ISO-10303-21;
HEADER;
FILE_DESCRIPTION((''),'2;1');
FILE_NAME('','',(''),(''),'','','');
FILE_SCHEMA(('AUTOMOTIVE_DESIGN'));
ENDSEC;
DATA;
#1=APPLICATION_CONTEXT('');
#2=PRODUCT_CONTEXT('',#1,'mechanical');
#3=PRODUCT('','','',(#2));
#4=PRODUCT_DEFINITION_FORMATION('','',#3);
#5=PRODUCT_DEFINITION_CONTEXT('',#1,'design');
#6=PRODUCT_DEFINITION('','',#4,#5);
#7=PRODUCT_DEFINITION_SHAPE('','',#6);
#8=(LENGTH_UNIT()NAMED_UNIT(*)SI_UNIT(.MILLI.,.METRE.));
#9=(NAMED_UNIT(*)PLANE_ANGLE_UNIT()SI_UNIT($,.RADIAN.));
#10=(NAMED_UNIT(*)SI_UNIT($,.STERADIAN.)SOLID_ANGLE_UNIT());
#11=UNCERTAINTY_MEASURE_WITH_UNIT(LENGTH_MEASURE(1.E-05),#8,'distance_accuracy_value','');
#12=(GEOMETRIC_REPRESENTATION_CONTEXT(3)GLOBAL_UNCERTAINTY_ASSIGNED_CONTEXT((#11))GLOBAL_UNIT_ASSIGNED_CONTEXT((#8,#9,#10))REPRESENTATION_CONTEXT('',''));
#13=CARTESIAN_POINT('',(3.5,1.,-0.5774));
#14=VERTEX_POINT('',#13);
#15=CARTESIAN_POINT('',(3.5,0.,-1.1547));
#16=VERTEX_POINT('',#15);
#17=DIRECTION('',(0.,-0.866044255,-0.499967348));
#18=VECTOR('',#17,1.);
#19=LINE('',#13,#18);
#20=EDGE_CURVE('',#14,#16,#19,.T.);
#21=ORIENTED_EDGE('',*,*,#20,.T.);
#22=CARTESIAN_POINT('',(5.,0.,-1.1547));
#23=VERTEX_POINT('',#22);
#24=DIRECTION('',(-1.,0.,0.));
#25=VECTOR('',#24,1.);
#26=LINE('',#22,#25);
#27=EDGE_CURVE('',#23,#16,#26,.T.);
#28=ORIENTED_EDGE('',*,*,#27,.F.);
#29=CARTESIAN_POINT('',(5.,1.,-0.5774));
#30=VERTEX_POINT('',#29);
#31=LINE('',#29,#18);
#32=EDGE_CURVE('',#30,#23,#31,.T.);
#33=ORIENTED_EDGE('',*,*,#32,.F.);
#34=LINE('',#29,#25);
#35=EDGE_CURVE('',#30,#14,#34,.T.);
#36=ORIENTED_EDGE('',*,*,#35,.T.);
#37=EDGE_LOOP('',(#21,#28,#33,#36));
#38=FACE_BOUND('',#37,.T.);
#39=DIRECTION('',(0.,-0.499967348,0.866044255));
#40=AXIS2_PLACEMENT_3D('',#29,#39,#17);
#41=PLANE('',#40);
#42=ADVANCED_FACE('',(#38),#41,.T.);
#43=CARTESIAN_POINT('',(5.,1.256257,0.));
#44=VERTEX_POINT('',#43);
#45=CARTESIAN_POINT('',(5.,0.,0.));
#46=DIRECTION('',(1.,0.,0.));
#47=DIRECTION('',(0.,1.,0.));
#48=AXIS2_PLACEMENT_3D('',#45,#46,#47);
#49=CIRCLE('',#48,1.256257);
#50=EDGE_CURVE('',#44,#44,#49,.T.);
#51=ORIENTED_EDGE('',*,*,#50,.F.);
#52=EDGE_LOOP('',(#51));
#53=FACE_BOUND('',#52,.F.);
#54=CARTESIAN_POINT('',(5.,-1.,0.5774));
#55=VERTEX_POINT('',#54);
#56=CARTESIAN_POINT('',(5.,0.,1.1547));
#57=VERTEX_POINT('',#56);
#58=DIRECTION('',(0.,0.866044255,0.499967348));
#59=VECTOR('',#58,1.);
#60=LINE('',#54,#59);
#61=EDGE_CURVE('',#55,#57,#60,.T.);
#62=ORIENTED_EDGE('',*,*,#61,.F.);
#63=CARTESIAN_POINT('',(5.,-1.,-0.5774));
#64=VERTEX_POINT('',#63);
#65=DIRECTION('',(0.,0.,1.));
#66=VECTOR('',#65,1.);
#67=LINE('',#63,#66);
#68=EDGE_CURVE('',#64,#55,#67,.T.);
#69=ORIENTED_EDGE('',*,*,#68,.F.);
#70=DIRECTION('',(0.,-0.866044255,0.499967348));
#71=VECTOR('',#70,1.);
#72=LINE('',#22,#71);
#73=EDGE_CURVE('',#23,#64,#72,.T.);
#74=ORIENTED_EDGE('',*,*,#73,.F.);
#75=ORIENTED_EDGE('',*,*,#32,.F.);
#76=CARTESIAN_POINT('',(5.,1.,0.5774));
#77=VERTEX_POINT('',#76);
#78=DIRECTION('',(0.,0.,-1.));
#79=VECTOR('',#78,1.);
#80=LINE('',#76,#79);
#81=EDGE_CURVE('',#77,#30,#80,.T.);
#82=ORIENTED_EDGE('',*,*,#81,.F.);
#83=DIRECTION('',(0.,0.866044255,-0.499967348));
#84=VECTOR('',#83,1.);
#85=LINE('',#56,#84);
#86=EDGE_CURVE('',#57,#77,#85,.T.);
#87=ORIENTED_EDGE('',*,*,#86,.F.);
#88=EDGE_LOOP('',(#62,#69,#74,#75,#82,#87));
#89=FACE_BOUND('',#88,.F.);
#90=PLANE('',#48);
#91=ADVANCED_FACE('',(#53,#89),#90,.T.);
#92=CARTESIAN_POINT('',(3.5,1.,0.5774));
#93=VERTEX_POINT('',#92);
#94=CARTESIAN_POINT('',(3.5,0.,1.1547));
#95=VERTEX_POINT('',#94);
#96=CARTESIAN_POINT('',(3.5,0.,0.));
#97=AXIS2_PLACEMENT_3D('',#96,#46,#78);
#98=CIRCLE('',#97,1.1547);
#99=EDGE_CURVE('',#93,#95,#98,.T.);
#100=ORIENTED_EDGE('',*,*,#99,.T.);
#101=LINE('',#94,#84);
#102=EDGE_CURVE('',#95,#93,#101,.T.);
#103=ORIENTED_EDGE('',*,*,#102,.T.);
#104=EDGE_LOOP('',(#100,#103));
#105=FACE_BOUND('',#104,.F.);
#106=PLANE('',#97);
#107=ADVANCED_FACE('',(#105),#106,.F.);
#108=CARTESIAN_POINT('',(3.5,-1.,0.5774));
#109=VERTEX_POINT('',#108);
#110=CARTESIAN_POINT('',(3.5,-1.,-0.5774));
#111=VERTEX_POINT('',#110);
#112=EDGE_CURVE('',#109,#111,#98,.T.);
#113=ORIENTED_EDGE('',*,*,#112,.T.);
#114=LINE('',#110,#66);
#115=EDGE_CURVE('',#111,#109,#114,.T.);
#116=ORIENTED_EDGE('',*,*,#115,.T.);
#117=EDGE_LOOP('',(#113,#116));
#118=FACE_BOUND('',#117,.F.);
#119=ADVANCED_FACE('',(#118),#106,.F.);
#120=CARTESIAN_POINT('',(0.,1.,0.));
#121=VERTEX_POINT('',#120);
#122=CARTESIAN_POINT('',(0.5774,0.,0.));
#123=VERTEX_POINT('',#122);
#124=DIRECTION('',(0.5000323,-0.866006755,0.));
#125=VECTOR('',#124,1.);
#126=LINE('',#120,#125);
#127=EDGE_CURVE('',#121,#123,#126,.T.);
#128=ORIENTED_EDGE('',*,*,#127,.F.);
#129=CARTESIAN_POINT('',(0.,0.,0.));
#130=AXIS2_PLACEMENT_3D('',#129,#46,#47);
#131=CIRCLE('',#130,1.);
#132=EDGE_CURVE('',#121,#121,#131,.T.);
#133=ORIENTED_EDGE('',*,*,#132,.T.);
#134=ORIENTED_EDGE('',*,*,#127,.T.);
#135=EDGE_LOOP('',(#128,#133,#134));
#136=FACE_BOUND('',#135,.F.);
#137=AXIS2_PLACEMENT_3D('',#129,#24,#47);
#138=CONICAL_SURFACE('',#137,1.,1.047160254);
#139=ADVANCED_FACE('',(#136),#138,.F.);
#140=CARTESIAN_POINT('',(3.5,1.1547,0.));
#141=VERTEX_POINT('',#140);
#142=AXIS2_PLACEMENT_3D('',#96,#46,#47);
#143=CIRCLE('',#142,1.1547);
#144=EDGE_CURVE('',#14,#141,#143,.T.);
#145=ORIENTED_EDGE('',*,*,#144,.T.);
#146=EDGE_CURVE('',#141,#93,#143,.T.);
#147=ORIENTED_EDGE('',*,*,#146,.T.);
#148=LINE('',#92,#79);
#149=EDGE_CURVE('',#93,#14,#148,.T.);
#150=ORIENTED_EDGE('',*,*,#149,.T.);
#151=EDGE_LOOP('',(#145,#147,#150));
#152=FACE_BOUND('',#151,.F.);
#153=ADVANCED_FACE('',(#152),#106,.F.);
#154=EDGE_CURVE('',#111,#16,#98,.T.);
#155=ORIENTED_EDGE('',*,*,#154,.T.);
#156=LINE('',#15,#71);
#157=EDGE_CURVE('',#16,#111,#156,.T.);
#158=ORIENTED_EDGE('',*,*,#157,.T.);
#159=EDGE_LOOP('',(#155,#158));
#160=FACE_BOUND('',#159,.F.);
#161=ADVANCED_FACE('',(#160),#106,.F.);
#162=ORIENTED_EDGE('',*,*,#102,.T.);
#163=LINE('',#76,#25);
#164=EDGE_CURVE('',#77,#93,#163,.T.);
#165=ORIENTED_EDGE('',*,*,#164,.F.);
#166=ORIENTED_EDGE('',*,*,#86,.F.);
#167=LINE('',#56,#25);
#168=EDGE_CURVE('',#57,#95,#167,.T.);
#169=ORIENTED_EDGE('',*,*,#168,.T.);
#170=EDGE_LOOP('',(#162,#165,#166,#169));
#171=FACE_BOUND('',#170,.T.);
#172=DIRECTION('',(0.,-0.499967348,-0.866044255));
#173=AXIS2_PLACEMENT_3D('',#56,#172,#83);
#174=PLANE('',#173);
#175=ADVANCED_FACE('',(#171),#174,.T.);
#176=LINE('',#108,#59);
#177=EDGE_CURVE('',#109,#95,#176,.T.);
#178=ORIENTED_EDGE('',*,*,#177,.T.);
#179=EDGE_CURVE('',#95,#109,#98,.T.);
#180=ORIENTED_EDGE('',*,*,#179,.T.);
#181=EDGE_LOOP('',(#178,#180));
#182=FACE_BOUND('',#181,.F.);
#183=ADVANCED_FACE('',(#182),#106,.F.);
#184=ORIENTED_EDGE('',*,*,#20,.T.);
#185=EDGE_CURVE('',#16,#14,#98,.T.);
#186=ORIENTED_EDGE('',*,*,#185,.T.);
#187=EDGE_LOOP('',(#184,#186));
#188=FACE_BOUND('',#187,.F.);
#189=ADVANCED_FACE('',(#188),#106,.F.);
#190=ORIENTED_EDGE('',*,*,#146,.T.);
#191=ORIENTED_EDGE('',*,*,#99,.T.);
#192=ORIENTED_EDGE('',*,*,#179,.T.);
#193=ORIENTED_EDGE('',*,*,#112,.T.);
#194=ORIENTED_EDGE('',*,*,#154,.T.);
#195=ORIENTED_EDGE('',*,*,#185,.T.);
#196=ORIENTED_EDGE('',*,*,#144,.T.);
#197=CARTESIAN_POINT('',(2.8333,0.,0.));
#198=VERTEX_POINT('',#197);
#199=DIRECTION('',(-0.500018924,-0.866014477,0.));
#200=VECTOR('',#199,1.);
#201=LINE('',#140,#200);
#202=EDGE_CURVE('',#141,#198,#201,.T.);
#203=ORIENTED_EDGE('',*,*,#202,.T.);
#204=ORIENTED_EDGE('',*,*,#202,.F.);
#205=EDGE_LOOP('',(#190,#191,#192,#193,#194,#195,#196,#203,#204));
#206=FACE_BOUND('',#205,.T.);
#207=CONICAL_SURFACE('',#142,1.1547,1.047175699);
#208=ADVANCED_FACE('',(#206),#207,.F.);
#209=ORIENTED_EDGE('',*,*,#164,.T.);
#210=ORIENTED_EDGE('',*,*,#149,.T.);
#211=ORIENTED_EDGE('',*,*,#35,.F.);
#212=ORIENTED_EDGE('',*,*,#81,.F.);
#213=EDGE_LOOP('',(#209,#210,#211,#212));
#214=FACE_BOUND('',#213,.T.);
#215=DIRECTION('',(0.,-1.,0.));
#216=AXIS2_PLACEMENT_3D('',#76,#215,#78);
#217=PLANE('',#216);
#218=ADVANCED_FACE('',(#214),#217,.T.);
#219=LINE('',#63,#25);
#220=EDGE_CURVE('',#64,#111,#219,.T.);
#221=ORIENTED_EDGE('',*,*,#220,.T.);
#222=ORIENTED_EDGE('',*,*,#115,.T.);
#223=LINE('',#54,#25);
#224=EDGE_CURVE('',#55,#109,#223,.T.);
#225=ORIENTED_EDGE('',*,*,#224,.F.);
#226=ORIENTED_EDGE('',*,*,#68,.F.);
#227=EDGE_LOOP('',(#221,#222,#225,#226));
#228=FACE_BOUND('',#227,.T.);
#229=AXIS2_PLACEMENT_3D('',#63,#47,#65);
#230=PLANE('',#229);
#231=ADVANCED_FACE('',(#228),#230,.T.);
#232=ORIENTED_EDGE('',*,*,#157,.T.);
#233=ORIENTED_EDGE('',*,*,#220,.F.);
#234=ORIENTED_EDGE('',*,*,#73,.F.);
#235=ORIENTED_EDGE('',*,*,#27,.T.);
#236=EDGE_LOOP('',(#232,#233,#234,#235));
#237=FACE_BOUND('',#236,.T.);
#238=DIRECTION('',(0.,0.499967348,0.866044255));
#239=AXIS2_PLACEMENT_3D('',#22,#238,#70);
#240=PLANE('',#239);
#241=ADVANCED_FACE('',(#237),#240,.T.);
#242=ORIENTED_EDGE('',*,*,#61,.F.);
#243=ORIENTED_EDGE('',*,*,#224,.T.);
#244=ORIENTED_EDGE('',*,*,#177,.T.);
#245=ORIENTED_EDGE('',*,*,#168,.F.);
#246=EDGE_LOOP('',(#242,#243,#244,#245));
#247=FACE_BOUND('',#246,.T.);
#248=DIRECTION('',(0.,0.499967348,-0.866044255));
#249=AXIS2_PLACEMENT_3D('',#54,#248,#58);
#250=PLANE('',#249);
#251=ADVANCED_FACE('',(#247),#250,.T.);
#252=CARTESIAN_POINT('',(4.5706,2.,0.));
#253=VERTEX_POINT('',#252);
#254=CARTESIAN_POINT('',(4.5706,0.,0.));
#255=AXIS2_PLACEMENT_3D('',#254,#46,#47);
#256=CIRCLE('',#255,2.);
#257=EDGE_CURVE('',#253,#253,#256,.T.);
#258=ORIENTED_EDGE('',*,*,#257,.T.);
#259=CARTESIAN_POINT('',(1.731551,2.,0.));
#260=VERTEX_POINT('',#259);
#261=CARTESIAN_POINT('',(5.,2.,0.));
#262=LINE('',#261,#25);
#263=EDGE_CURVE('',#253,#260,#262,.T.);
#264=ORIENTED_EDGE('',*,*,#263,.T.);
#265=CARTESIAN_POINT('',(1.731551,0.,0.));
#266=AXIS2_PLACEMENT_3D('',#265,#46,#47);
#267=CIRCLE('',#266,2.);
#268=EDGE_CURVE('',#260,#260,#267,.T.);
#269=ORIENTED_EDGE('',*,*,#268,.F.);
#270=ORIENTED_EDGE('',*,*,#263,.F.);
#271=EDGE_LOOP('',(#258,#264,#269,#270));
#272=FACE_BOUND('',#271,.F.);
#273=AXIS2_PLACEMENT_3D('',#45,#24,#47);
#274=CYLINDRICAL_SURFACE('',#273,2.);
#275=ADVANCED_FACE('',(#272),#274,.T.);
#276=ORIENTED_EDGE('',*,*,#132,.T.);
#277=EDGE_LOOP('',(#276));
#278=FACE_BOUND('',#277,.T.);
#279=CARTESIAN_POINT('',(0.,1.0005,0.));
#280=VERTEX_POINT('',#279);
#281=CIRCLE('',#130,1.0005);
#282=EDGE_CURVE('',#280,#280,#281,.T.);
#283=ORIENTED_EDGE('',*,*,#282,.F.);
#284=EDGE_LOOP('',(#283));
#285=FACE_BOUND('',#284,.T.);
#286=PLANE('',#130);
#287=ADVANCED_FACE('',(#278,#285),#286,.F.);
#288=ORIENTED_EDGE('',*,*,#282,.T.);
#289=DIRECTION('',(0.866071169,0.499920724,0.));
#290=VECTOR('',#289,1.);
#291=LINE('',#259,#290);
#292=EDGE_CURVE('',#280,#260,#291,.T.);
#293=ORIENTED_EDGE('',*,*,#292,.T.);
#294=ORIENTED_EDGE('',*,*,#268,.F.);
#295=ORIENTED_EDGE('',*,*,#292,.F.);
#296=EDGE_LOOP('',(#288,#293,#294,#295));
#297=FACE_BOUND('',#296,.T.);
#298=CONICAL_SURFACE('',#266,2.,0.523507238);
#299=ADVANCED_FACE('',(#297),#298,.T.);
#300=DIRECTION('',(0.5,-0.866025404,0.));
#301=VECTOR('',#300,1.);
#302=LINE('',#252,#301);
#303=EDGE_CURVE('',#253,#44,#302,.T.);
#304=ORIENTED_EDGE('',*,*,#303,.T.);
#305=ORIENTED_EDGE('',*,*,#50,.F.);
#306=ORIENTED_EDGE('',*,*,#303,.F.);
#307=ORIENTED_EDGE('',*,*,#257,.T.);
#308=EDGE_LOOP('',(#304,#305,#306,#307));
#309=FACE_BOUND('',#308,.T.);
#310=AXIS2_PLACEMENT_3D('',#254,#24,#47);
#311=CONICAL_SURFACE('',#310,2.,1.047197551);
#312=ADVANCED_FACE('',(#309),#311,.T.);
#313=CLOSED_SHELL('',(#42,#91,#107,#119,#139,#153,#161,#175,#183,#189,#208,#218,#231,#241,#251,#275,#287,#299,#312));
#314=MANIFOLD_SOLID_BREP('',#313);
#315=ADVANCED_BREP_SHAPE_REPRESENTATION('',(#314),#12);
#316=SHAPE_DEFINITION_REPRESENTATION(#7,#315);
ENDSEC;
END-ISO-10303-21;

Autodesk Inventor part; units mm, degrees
ref_plane "YZ Plane" through (0, 0, 0) normal (1, 0, 0) x (0, 1, 0)
ref_plane "XZ Plane" through (0, 0, 0) normal (0, 1, 0) x (-1, 0, 0)
sketch "Sketch1" plane through (0, 0, 0) normal (0, 0, 1) x (1, 0, 0)
  line L0 (0.5774, 0) -> (2.8333, 0)
  line L1 (5, 1.1547) -> (5, 2)
  line L2 (5, 2) -> (0, 2)
  line L3 (5, 1.1547) -> (3.5, 1.1547)
  line L4 (3.5, 1.1547) -> (2.8333, 0)
  line L5 (0, 1) -> (0.5774, 0)
  line L6 (0, -0.4) -> (0, 2.4) projected
  line L7 (0, 1) -> (0, 2)
  point P0 (0, 0)
  dimension "d0" = 1.5
  dimension "d1" = 60
  dimension "d2" = 4
  dimension "d3" = 2.3094
  dimension "d4" = 5
  dimension "d5" = 60
  dimension "d7" = 2
revolve "Body" add sketch "Sketch1" angle 360 about axis through (0.5774, 0, 0) along (1, 0, 0)
sketch "Sketch2" plane through (5, 0, 0) normal (1, 0, 0) x (0, 0, -1)
  circle A0 centre (0, 0) radius 1.1547 projected
  circle A1 centre (0, 0) radius 2 projected
  line L0 (1.1547, 0) -> (0.5774, -1)
  line L1 (0.5774, -1) -> (-0.5774, -1)
  line L2 (-0.5774, -1) -> (-1.1547, 0)
  line L3 (-1.1547, 0) -> (-0.5774, 1)
  line L4 (-0.5774, 1) -> (0.5774, 1)
  line L5 (0.5774, 1) -> (1.1547, 0)
extrude "Slot" add sketch "Sketch2" against normal blind 1.5 contours L5 A0 | A0 L0 | L4 A0 | A0 L1 | L3 A0 | A0 L2
chamfer "Chamfer1" distance 1 angle 60 1 edges at (0, -2, 0) measured on face at (0, 1.6473, -0.1595)
thread "Thread" size "M4x0.7" class "6g" standard "ISO Metric profile" length 5
chamfer "Chamfer2" distance 0.4294 angle 60 1 edges at (5, -2, 0) measured on face at (3.9105, 1.9935, -0.1609)
ref_plane "Work Plane1" through (2.5, 0, 0) normal (0, -0.5, -0.866) x (1, 0, 0)
equation "\"d0\" = INTI"
equation "\"d2\" = NND"
equation "\"d3\" = 1.1547 * SW"
equation "\"d4\" = NLG"
equation "\"d5\" = 0.5 * ANG"
equation "\"d7\" = SPD"
equation "\"d8\" = INTI"
equation "\"d10\" = -0.5 * SPD + 0.5 * NND"
equation "\"d11\" = FAWI"
equation "\"d33\" = -0.5 * SPD + 0.5 * NND"
equation "\"d14\" = NLG"
equation "\"d12\" = -0.5 * GD1 + 0.5 * NND"
equation "\"d13\" = FAWI"
equation "\"d34\" = -0.5 * GD1 + 0.5 * NND"
equation "\"NND\" = 4"
equation "\"NLG\" = 5"
equation "\"INTI\" = 1.5"
equation "\"FAWI\" = 60deg"
equation "\"SW\" = 2"
equation "\"GD1\" = THREADDIA - 1.2269 * PTC"
equation "\"ANG\" = 120deg"
equation "\"FAWI1\" = 45deg"
equation "\"SPD\" = 2"
equation "\"GUL\" = 0.61345 * PTC"
equation "\"TOA\" = 30deg"
equation "\"THREADDIA\" = 4"
equation "\"PTC\" = 0.7"
equation "\"GAL\" = 0.61345 * PTC"
equation "\"E0\" = 1.155 * SW"
properties part number "DIN EN ISO 4029 - M4  x  5" material "Steel, Mild"
